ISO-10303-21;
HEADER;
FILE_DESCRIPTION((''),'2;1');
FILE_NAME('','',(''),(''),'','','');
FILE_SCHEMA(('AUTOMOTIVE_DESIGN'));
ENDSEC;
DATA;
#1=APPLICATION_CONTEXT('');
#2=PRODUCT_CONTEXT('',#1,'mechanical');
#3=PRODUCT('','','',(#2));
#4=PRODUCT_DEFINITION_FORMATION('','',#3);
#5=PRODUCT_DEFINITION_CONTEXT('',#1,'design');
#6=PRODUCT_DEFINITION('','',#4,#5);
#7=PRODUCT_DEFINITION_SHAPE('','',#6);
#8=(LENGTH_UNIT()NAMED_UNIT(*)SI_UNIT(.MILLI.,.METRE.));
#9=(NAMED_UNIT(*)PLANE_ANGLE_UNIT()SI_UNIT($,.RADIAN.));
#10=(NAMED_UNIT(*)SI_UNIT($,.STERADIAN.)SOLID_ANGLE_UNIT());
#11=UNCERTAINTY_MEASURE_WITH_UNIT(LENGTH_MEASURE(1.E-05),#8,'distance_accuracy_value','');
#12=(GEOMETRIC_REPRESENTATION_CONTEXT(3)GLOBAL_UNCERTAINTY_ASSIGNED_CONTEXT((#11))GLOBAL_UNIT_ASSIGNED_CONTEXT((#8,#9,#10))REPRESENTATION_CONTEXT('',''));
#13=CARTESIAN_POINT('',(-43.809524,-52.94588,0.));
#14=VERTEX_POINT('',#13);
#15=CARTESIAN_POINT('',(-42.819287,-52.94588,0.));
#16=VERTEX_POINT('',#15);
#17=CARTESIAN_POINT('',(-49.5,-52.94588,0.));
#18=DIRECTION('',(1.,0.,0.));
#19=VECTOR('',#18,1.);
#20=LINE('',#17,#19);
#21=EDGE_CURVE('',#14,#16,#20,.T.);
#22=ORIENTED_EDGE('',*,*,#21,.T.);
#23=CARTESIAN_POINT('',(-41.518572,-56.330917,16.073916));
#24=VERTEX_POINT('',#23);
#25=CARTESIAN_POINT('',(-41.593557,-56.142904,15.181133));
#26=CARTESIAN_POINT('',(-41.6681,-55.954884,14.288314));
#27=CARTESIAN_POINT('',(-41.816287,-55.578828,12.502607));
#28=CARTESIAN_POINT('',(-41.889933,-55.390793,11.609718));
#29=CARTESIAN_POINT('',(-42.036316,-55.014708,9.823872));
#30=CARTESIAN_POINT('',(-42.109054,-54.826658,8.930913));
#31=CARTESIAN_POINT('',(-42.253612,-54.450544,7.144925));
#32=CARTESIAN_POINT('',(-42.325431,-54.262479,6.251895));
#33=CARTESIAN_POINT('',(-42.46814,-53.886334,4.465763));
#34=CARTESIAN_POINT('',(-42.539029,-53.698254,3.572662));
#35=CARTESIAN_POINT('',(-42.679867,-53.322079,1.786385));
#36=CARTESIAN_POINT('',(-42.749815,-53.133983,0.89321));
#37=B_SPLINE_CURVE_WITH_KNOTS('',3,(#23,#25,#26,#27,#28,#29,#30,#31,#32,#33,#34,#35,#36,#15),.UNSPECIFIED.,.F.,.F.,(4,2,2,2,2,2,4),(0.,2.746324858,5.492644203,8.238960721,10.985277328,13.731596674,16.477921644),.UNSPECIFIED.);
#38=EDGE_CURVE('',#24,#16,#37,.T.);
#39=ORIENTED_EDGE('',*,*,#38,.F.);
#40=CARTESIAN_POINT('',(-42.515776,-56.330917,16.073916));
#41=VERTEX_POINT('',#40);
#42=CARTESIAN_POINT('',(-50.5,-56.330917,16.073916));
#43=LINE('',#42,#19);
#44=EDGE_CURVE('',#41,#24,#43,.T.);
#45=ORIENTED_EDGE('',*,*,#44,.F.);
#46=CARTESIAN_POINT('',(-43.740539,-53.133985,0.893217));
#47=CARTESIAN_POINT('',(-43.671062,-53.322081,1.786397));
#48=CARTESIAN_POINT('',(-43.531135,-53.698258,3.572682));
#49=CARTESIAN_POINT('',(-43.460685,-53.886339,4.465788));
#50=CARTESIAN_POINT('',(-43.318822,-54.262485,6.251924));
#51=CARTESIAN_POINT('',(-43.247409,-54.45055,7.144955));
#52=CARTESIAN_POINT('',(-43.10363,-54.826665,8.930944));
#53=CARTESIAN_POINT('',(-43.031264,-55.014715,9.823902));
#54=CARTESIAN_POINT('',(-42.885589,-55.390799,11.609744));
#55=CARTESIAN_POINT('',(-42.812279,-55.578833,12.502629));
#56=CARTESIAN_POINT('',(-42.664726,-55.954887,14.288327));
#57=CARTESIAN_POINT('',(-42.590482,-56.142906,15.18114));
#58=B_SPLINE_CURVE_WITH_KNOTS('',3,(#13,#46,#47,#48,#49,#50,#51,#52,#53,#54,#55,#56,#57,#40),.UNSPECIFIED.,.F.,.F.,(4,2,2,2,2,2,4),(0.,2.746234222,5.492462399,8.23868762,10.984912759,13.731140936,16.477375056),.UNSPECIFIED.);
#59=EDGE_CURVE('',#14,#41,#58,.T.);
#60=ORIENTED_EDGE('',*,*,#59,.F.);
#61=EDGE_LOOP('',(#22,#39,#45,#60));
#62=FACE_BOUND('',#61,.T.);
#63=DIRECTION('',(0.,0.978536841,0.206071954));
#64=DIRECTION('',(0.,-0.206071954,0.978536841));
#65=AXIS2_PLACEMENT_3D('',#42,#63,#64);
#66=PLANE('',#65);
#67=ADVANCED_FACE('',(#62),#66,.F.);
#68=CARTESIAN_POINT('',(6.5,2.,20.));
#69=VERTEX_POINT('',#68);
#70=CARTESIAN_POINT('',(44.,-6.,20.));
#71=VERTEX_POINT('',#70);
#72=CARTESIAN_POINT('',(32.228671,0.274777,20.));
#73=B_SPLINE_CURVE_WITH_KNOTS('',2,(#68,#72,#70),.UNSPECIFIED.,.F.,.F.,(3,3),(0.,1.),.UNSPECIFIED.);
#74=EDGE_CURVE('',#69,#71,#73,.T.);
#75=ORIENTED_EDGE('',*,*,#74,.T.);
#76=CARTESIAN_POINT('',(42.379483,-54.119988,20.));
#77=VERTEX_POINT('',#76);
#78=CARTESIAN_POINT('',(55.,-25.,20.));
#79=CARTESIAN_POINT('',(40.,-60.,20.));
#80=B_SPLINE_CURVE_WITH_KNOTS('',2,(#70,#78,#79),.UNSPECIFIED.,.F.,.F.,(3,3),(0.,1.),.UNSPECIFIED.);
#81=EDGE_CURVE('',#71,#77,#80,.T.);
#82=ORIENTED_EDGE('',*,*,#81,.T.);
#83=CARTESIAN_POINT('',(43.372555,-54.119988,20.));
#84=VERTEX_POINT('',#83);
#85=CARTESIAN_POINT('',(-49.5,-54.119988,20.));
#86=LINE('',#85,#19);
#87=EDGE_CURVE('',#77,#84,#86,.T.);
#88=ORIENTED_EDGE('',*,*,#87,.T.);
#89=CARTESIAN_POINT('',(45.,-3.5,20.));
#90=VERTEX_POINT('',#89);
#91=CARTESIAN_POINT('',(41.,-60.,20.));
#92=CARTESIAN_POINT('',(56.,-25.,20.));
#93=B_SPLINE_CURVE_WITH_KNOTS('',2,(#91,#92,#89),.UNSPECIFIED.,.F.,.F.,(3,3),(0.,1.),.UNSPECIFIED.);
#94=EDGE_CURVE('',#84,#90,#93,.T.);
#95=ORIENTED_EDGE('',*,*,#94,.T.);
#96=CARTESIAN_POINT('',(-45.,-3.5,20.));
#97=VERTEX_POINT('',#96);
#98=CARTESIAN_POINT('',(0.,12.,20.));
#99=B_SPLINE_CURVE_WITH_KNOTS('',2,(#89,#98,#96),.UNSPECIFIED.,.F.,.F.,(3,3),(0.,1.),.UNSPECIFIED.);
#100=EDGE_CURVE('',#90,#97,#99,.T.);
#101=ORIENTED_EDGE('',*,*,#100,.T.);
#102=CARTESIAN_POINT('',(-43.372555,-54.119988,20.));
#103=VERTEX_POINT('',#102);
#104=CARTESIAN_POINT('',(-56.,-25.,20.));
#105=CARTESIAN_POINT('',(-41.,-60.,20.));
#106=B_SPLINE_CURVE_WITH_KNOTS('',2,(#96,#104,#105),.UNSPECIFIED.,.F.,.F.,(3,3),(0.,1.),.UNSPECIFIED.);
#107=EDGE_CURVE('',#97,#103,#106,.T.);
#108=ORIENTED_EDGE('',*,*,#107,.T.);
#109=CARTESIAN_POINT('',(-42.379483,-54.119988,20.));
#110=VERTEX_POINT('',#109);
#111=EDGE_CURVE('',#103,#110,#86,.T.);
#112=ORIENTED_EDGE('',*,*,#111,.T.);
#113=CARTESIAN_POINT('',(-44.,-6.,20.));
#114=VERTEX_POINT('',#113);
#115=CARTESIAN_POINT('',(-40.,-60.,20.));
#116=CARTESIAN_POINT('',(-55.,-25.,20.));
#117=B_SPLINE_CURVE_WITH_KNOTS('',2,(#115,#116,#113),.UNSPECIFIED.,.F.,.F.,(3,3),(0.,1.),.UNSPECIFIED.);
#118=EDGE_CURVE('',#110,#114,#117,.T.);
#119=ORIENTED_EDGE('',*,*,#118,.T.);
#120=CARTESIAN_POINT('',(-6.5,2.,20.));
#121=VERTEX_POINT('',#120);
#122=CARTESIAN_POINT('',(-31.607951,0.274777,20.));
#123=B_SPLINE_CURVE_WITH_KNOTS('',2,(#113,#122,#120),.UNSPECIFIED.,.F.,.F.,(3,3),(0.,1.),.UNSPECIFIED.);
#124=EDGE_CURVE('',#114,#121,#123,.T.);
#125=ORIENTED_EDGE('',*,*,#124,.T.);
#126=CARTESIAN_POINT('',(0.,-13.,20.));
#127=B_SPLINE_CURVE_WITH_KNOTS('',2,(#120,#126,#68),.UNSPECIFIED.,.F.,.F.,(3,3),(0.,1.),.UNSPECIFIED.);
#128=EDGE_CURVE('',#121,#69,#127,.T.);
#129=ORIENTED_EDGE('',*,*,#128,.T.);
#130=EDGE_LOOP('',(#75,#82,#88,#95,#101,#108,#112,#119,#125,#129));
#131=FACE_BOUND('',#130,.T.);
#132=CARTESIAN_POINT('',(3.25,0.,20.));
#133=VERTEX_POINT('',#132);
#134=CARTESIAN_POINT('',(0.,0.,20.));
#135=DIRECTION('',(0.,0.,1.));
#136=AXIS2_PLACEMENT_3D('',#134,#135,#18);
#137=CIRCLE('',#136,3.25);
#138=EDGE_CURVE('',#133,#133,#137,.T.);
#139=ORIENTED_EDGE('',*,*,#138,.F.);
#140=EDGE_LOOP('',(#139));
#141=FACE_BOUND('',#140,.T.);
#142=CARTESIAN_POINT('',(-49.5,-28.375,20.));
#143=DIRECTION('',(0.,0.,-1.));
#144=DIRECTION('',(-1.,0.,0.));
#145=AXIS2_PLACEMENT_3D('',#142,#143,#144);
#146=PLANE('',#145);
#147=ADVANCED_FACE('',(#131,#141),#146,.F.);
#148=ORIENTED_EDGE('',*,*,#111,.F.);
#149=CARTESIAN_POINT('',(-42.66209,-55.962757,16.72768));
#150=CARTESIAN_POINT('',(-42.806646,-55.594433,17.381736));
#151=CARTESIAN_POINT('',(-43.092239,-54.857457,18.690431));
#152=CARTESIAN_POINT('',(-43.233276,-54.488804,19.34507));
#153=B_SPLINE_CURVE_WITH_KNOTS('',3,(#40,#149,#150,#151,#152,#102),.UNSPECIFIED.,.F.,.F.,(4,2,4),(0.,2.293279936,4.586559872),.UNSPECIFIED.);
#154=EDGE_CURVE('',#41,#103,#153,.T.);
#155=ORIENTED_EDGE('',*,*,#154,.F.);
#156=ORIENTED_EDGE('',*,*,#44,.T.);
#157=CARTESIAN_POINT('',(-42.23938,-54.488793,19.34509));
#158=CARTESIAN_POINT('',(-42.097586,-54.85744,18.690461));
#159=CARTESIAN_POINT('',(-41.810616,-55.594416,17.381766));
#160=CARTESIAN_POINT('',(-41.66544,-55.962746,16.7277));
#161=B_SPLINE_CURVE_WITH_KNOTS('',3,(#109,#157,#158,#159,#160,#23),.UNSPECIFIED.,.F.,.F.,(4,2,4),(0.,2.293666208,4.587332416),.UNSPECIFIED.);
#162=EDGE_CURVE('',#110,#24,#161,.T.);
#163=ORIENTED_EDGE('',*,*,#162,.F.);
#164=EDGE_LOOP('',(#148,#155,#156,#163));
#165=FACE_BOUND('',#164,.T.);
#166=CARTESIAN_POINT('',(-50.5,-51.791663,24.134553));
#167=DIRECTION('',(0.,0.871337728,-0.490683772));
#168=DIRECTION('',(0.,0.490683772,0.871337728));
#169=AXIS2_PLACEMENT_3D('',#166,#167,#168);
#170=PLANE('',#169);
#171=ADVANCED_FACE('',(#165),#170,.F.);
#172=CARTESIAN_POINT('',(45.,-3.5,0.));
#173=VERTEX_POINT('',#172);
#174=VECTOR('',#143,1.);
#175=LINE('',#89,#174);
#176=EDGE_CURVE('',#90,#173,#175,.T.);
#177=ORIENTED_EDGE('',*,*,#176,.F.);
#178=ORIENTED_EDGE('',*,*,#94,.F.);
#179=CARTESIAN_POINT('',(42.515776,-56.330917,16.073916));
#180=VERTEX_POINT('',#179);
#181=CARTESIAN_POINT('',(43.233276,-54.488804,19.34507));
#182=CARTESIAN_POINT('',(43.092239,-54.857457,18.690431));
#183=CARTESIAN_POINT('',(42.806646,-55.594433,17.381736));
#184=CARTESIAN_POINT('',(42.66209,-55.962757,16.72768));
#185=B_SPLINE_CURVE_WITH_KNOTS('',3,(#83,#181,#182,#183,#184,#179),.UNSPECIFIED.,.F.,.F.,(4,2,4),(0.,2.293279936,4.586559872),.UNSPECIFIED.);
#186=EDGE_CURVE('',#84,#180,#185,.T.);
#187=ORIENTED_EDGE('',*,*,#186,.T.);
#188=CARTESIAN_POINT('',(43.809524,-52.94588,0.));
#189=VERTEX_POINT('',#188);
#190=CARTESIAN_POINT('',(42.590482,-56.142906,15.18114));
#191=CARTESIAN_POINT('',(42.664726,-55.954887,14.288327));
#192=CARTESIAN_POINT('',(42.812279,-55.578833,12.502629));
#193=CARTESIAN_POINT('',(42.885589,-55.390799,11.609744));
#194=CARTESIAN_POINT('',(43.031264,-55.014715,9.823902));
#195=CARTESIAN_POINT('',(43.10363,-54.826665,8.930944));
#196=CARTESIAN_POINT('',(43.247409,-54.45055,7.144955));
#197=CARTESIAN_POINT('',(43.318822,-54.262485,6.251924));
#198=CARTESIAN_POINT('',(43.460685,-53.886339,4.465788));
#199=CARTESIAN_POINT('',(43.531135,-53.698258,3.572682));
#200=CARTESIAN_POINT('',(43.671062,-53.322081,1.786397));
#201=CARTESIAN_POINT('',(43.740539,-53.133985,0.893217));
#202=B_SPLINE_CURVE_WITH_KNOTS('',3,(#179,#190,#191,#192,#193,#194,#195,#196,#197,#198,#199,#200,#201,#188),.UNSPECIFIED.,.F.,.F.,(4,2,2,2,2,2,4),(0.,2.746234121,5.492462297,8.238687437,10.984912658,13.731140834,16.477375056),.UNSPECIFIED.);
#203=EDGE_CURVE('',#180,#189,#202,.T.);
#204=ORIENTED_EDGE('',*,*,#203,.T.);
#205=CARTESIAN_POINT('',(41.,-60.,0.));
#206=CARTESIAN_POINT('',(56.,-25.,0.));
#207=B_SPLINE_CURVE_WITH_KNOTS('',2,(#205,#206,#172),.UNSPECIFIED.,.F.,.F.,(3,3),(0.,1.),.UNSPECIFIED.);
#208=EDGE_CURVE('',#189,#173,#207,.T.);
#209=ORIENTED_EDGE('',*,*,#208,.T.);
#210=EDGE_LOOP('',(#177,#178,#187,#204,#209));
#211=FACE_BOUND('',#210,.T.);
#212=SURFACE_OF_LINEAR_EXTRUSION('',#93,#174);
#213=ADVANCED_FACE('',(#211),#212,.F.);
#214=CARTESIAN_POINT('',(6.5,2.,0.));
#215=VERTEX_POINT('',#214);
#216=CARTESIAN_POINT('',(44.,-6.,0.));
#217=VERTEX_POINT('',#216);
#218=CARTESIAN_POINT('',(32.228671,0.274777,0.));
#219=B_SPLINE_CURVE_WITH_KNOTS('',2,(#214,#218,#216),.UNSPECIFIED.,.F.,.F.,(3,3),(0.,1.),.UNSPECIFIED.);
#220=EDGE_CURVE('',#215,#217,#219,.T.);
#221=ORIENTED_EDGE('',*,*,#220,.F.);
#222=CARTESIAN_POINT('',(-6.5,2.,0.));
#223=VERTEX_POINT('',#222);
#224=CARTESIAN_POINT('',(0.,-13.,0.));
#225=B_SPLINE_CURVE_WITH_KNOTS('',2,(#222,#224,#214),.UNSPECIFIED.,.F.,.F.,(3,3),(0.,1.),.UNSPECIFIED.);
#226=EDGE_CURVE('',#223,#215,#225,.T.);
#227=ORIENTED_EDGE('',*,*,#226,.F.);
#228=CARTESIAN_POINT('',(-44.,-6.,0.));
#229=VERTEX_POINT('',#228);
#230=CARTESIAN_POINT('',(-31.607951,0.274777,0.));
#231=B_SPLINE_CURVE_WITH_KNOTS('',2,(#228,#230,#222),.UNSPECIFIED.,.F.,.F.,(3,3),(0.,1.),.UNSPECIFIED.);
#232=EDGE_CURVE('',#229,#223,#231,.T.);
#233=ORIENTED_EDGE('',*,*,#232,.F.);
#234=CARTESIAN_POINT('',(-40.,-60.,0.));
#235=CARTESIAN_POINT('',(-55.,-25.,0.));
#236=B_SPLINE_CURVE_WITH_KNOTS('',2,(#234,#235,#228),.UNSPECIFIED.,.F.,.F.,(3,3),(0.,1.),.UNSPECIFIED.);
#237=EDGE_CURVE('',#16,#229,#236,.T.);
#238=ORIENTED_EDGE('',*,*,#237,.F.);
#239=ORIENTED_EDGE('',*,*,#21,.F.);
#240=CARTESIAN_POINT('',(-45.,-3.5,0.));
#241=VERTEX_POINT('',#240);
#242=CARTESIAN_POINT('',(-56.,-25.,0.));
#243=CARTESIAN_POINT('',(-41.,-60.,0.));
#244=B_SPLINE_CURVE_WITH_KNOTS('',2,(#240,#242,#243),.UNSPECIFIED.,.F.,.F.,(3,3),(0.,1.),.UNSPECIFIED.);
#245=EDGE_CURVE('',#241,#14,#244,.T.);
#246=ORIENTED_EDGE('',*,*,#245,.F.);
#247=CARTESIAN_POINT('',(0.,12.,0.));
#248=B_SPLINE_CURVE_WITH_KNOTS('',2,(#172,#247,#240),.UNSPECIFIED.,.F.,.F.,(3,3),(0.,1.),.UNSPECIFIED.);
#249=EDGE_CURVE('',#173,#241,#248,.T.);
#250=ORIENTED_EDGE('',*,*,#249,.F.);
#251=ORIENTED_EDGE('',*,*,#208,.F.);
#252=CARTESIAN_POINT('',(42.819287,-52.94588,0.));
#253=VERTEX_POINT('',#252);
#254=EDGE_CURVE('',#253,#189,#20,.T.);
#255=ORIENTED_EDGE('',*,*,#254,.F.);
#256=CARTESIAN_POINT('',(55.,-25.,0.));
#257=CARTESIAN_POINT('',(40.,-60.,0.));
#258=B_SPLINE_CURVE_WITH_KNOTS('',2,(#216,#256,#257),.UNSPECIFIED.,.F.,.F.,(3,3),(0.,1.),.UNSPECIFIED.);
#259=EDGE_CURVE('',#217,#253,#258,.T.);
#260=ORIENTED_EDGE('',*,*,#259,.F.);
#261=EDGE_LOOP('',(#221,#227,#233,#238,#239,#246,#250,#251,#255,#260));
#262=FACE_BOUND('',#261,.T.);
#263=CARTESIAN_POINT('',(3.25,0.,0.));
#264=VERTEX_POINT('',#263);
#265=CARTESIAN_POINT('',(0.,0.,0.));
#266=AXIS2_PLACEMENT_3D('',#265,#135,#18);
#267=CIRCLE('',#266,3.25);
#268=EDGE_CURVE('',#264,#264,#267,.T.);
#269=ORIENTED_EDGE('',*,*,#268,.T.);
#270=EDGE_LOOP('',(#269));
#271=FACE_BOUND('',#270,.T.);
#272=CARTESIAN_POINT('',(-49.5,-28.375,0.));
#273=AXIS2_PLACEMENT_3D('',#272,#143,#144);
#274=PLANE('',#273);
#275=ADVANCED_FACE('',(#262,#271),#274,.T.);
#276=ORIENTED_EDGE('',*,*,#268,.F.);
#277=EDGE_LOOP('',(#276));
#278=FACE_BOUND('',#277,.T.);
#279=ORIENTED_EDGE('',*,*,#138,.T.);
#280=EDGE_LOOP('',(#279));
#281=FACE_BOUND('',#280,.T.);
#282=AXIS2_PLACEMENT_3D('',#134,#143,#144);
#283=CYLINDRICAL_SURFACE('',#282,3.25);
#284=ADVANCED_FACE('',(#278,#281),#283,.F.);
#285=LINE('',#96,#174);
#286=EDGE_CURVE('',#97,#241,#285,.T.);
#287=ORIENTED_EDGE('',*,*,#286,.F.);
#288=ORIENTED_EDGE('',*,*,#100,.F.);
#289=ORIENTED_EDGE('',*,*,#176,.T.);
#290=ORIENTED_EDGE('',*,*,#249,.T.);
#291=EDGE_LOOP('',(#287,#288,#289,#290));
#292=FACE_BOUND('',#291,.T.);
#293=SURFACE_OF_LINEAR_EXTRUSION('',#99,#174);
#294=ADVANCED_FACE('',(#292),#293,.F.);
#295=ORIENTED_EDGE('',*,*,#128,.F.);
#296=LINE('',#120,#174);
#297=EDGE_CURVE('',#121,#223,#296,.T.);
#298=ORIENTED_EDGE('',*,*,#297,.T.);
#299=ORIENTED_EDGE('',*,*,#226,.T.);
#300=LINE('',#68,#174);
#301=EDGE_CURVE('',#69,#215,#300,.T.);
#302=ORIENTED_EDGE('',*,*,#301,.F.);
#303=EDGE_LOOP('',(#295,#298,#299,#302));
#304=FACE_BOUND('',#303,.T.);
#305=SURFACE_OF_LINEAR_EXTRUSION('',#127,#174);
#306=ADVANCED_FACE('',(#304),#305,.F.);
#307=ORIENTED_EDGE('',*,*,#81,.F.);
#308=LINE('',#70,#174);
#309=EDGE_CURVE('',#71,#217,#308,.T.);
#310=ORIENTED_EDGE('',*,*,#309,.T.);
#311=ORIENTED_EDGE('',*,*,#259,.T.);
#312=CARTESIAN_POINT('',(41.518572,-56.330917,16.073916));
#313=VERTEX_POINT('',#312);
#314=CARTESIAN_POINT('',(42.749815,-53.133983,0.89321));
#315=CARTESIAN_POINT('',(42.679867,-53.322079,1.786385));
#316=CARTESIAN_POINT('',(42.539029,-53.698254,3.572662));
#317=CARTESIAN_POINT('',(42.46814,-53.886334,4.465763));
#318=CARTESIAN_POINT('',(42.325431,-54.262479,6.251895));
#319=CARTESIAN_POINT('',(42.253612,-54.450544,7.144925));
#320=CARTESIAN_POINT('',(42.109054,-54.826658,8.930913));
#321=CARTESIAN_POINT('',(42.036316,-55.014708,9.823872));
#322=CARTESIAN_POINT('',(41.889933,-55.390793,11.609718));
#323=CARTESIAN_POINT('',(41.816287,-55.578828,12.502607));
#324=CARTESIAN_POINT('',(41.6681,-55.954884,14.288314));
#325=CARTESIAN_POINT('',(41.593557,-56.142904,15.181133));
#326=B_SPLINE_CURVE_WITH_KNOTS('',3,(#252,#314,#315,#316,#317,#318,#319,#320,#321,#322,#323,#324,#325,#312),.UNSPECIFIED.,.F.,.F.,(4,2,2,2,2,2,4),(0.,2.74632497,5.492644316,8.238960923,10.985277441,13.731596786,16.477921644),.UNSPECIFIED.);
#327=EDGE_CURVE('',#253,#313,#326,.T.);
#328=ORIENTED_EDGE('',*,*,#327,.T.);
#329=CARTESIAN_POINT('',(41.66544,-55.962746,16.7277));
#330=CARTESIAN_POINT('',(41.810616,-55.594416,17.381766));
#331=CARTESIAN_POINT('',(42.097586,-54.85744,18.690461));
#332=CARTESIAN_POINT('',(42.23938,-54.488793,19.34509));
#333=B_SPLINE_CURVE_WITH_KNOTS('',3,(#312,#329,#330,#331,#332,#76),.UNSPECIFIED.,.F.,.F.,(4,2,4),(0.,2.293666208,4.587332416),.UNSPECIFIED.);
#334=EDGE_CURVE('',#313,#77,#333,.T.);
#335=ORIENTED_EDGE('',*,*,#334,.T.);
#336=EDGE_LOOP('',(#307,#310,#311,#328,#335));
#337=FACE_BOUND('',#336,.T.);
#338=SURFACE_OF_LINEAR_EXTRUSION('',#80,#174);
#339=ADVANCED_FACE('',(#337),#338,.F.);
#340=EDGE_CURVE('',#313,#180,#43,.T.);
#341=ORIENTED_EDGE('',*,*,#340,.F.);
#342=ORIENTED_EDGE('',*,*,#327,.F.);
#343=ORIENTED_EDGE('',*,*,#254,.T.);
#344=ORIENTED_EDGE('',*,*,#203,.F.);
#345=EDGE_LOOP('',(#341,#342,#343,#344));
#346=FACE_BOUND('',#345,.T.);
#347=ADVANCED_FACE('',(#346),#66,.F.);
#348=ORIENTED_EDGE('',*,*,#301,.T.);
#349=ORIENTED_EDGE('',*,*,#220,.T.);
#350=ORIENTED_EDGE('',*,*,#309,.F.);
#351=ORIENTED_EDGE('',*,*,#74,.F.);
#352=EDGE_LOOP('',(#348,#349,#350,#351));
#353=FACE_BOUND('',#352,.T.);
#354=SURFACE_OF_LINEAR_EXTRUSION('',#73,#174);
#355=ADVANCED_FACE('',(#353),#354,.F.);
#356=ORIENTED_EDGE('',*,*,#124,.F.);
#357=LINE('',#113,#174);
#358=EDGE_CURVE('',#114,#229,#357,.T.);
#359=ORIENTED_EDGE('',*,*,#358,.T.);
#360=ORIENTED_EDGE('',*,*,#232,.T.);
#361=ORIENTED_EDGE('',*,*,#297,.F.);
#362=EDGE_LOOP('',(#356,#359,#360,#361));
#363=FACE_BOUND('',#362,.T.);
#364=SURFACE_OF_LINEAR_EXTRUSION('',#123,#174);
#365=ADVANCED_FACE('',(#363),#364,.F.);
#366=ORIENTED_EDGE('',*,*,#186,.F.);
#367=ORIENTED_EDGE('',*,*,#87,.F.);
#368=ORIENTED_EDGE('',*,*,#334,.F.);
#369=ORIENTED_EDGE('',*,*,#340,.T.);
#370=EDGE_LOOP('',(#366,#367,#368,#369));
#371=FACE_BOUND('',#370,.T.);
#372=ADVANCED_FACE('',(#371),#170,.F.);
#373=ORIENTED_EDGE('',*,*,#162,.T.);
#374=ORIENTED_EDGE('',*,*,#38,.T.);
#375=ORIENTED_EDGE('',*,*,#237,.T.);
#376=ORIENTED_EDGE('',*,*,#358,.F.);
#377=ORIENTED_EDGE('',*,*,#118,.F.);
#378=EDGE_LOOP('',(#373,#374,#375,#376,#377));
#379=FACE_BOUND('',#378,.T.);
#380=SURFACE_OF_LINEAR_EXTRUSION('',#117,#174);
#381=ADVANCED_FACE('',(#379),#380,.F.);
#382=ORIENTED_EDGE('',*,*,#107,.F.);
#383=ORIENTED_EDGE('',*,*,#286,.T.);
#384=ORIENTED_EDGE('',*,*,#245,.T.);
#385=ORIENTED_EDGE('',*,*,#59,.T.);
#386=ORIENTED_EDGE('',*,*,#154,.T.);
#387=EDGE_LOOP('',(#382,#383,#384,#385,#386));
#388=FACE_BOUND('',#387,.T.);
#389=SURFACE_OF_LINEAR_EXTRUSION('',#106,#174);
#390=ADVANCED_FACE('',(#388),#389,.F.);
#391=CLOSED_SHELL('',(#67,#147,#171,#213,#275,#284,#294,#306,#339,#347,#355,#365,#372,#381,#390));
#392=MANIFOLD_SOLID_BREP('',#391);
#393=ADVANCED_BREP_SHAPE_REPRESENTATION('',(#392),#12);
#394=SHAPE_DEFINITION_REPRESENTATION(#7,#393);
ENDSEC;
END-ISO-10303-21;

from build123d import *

# Parameters (mm, degrees)
SKETCH_1_R               = 3.25
EXTRUDE_1_DEPTH          = 20
CUT_EXTRUDE_1_DEPTH      = 81.408360659
CUT_EXTRUDE_1_DEPTH_BACK = 81.408360659


with BuildPart() as part:
    # 草圖1 → 填料-伸長1 (new body)
    with BuildSketch(Plane.XY):
        with BuildLine():
            Line((-41, -60), (-40, -60))
            add(Edge.make_bspline(
                [(-44, -6), (-55, -25), (-40, -60)],
                knots=[0, 0, 0, 1, 1, 1], degree=2))
            add(Edge.make_bspline(
                [(-6.5, 2), (-31.607950909, 0.274777248), (-44, -6)],
                knots=[0, 0, 0, 1, 1, 1], degree=2))
            add(Edge.make_bspline(
                [(-6.5, 2), (0, -13), (6.5, 2)],
                knots=[0, 0, 0, 1, 1, 1], degree=2))
            add(Edge.make_bspline(
                [(6.5, 2), (32.228671013, 0.274777248), (44, -6)],
                knots=[0, 0, 0, 1, 1, 1], degree=2))
            add(Edge.make_bspline(
                [(44, -6), (55, -25), (40, -60)],
                knots=[0, 0, 0, 1, 1, 1], degree=2))
            Line((40, -60), (41, -60))
            add(Edge.make_bspline(
                [(45, -3.5), (56, -25), (41, -60)],
                knots=[0, 0, 0, 1, 1, 1], degree=2))
            add(Edge.make_bspline(
                [(-45, -3.5), (0, 12), (45, -3.5)],
                knots=[0, 0, 0, 1, 1, 1], degree=2))
            add(Edge.make_bspline(
                [(-45, -3.5), (-56, -25), (-41, -60)],
                knots=[0, 0, 0, 1, 1, 1], degree=2))
        make_face()
        Circle(SKETCH_1_R, mode=Mode.SUBTRACT)
    extrude(amount=EXTRUDE_1_DEPTH)

    # 草圖2 → 除料-伸長1 (cut, two sides: drawn at the far end of the back side and taken through both)
    with BuildSketch(Plane(origin=(0, 0, 0), x_dir=(0, 0, -1), z_dir=(1, 0, 0)).offset(-CUT_EXTRUDE_1_DEPTH_BACK)):
        Polygon((-24.134552524, -51.791662607), (-16.07391568, -56.330917091), (-3.22546812, -53.625137827), (5.975024699, -51.687588362), (8.544692021, -68.58770729), (2.04714525, -71.745430098), (-25.301795002, -71.006269551), align=None)
    extrude(amount=CUT_EXTRUDE_1_DEPTH + CUT_EXTRUDE_1_DEPTH_BACK, mode=Mode.SUBTRACT)


solid = part.part
